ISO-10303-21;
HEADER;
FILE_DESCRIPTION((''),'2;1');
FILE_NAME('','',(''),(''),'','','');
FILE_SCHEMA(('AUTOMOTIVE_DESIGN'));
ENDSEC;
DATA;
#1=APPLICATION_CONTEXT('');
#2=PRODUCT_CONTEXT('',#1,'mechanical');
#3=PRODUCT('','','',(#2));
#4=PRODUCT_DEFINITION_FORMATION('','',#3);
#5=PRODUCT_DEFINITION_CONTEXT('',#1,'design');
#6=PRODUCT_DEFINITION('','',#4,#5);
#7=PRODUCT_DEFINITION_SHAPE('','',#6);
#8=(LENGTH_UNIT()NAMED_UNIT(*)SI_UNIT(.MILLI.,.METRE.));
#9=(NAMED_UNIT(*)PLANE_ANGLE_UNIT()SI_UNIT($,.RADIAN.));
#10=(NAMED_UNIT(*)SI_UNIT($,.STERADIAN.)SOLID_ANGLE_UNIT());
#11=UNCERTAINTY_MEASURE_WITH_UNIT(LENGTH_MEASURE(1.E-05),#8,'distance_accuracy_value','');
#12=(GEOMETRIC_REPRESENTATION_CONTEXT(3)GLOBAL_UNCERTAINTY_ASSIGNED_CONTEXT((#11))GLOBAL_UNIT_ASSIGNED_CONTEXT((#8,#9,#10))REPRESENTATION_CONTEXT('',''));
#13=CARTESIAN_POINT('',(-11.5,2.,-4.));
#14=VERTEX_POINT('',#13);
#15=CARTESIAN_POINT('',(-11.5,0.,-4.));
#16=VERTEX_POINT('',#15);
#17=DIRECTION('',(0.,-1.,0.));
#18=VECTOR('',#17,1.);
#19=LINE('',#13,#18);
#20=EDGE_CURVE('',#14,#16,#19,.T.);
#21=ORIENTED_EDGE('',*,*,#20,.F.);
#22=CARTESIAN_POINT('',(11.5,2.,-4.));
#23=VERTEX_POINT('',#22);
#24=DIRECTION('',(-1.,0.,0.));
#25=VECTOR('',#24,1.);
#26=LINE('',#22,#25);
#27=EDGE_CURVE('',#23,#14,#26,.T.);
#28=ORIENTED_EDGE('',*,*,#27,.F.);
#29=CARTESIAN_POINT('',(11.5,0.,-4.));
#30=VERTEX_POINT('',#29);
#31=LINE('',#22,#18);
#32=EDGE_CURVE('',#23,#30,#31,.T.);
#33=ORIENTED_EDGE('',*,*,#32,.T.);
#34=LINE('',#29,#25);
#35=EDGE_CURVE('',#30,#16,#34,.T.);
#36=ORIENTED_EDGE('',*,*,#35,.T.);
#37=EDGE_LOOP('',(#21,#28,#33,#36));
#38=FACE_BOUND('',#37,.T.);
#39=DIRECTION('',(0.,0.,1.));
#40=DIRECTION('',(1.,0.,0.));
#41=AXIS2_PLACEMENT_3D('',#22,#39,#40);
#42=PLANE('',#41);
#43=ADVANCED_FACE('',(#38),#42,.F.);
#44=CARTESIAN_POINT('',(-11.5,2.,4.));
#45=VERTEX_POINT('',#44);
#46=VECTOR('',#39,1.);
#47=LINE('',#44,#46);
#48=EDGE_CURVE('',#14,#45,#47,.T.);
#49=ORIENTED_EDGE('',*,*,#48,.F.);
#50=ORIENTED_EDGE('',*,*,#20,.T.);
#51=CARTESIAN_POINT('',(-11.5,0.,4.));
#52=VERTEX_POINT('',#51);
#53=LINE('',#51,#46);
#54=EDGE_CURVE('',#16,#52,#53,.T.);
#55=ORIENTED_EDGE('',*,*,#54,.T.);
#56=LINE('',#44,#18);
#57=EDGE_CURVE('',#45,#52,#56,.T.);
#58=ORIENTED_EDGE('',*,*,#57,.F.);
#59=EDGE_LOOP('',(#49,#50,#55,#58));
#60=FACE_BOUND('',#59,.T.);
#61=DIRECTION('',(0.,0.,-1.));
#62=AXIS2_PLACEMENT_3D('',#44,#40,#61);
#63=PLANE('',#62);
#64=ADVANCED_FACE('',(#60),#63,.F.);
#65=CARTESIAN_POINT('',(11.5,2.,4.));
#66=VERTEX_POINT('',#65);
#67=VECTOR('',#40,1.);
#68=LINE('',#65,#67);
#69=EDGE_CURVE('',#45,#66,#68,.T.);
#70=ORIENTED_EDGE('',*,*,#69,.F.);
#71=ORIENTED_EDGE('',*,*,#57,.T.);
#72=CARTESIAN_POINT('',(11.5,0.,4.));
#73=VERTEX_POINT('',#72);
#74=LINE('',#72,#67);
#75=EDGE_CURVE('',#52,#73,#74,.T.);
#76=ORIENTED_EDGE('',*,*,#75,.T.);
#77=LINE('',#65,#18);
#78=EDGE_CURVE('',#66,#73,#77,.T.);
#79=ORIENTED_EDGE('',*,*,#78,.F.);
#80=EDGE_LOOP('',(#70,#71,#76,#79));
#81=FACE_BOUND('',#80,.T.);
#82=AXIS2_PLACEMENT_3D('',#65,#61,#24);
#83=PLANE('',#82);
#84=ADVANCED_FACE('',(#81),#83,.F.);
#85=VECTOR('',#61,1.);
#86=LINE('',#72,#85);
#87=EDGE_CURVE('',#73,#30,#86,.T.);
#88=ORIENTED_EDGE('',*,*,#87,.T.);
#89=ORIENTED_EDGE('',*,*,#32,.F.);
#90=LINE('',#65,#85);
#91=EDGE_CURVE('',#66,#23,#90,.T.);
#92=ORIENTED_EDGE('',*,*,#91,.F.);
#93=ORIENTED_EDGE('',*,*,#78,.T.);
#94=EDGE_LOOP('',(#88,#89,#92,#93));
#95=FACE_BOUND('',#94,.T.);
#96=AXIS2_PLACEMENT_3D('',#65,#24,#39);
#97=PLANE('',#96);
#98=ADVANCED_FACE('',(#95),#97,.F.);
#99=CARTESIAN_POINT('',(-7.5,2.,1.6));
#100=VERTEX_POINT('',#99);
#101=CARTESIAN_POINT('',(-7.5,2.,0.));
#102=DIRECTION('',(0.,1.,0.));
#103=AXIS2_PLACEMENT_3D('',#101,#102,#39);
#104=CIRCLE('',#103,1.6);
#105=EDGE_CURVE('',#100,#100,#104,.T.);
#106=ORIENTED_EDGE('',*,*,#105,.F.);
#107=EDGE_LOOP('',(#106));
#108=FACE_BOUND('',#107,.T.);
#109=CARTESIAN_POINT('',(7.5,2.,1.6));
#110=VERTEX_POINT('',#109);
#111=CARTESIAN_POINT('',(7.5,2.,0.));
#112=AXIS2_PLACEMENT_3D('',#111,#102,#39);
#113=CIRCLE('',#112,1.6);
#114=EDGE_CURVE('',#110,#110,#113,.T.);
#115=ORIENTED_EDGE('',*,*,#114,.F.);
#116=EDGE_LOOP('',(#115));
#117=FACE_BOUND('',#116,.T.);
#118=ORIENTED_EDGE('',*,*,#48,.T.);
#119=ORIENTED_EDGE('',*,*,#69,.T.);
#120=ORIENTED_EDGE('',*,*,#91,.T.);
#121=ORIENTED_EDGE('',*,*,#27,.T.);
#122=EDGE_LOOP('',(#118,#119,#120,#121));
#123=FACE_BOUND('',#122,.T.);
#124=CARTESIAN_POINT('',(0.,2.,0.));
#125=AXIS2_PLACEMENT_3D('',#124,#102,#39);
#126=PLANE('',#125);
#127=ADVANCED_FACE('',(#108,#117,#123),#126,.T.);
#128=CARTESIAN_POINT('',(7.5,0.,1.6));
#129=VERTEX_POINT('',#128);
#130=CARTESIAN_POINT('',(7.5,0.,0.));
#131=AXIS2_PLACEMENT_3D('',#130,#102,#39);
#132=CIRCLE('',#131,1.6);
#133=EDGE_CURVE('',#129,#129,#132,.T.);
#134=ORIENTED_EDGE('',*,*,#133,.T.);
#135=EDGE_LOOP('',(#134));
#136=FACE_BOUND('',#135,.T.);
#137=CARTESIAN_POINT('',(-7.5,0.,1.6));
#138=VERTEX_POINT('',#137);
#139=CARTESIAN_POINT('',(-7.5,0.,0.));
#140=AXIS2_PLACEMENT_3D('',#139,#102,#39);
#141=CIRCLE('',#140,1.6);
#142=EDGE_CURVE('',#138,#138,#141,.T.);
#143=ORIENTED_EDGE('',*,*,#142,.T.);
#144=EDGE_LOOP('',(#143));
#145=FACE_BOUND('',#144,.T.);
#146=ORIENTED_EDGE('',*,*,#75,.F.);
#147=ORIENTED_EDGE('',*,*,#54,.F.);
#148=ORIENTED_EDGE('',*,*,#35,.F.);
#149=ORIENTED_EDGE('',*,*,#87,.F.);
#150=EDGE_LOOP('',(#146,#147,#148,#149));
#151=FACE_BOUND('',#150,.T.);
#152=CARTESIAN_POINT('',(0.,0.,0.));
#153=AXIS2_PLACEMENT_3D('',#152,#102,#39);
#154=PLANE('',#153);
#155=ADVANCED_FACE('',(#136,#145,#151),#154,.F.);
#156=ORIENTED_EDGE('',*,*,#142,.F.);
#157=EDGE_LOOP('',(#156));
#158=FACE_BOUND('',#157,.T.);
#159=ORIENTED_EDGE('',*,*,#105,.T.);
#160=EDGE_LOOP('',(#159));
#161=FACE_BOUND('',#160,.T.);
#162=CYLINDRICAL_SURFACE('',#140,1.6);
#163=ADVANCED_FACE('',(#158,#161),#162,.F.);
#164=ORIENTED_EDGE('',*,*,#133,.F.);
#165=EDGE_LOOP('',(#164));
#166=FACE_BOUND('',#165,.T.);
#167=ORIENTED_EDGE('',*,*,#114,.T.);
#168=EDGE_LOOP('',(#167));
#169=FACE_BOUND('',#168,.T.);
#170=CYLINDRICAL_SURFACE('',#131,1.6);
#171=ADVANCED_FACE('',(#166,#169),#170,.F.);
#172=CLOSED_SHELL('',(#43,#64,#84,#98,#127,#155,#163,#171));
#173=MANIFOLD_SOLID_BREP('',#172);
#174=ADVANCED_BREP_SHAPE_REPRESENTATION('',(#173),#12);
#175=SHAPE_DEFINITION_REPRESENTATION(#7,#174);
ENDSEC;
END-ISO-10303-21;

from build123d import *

# Parameters (mm, degrees)
SKETCH_1_W          = 23
SKETCH_1_H          = 8
EXTRUDE_1_DEPTH     = 2
SKETCH_2_R          = 1.6
CUT_EXTRUDE_1_DEPTH = 13.338962679


with BuildPart() as part:
    # 草图1 → 凸台-拉伸1 (new body)
    with BuildSketch(Plane(origin=(0, 0, 0), x_dir=(1, 0, 0), z_dir=(0, 1, 0))):
        Rectangle(SKETCH_1_W, SKETCH_1_H)
    extrude(amount=EXTRUDE_1_DEPTH)

    # 草图2 → 切除-拉伸1 (cut, through all)
    with BuildSketch(Plane(origin=(0, 2, 0), x_dir=(1, 0, 0), z_dir=(0, 1, 0))):
        with Locations(Location((-7.5, 0, 0), (0, 0, 270))):
            Circle(SKETCH_2_R)
        with Locations(Location((7.5, 0, 0), (0, 0, 270))):
            Circle(SKETCH_2_R)
    extrude(amount=-CUT_EXTRUDE_1_DEPTH, mode=Mode.SUBTRACT)


solid = part.part
